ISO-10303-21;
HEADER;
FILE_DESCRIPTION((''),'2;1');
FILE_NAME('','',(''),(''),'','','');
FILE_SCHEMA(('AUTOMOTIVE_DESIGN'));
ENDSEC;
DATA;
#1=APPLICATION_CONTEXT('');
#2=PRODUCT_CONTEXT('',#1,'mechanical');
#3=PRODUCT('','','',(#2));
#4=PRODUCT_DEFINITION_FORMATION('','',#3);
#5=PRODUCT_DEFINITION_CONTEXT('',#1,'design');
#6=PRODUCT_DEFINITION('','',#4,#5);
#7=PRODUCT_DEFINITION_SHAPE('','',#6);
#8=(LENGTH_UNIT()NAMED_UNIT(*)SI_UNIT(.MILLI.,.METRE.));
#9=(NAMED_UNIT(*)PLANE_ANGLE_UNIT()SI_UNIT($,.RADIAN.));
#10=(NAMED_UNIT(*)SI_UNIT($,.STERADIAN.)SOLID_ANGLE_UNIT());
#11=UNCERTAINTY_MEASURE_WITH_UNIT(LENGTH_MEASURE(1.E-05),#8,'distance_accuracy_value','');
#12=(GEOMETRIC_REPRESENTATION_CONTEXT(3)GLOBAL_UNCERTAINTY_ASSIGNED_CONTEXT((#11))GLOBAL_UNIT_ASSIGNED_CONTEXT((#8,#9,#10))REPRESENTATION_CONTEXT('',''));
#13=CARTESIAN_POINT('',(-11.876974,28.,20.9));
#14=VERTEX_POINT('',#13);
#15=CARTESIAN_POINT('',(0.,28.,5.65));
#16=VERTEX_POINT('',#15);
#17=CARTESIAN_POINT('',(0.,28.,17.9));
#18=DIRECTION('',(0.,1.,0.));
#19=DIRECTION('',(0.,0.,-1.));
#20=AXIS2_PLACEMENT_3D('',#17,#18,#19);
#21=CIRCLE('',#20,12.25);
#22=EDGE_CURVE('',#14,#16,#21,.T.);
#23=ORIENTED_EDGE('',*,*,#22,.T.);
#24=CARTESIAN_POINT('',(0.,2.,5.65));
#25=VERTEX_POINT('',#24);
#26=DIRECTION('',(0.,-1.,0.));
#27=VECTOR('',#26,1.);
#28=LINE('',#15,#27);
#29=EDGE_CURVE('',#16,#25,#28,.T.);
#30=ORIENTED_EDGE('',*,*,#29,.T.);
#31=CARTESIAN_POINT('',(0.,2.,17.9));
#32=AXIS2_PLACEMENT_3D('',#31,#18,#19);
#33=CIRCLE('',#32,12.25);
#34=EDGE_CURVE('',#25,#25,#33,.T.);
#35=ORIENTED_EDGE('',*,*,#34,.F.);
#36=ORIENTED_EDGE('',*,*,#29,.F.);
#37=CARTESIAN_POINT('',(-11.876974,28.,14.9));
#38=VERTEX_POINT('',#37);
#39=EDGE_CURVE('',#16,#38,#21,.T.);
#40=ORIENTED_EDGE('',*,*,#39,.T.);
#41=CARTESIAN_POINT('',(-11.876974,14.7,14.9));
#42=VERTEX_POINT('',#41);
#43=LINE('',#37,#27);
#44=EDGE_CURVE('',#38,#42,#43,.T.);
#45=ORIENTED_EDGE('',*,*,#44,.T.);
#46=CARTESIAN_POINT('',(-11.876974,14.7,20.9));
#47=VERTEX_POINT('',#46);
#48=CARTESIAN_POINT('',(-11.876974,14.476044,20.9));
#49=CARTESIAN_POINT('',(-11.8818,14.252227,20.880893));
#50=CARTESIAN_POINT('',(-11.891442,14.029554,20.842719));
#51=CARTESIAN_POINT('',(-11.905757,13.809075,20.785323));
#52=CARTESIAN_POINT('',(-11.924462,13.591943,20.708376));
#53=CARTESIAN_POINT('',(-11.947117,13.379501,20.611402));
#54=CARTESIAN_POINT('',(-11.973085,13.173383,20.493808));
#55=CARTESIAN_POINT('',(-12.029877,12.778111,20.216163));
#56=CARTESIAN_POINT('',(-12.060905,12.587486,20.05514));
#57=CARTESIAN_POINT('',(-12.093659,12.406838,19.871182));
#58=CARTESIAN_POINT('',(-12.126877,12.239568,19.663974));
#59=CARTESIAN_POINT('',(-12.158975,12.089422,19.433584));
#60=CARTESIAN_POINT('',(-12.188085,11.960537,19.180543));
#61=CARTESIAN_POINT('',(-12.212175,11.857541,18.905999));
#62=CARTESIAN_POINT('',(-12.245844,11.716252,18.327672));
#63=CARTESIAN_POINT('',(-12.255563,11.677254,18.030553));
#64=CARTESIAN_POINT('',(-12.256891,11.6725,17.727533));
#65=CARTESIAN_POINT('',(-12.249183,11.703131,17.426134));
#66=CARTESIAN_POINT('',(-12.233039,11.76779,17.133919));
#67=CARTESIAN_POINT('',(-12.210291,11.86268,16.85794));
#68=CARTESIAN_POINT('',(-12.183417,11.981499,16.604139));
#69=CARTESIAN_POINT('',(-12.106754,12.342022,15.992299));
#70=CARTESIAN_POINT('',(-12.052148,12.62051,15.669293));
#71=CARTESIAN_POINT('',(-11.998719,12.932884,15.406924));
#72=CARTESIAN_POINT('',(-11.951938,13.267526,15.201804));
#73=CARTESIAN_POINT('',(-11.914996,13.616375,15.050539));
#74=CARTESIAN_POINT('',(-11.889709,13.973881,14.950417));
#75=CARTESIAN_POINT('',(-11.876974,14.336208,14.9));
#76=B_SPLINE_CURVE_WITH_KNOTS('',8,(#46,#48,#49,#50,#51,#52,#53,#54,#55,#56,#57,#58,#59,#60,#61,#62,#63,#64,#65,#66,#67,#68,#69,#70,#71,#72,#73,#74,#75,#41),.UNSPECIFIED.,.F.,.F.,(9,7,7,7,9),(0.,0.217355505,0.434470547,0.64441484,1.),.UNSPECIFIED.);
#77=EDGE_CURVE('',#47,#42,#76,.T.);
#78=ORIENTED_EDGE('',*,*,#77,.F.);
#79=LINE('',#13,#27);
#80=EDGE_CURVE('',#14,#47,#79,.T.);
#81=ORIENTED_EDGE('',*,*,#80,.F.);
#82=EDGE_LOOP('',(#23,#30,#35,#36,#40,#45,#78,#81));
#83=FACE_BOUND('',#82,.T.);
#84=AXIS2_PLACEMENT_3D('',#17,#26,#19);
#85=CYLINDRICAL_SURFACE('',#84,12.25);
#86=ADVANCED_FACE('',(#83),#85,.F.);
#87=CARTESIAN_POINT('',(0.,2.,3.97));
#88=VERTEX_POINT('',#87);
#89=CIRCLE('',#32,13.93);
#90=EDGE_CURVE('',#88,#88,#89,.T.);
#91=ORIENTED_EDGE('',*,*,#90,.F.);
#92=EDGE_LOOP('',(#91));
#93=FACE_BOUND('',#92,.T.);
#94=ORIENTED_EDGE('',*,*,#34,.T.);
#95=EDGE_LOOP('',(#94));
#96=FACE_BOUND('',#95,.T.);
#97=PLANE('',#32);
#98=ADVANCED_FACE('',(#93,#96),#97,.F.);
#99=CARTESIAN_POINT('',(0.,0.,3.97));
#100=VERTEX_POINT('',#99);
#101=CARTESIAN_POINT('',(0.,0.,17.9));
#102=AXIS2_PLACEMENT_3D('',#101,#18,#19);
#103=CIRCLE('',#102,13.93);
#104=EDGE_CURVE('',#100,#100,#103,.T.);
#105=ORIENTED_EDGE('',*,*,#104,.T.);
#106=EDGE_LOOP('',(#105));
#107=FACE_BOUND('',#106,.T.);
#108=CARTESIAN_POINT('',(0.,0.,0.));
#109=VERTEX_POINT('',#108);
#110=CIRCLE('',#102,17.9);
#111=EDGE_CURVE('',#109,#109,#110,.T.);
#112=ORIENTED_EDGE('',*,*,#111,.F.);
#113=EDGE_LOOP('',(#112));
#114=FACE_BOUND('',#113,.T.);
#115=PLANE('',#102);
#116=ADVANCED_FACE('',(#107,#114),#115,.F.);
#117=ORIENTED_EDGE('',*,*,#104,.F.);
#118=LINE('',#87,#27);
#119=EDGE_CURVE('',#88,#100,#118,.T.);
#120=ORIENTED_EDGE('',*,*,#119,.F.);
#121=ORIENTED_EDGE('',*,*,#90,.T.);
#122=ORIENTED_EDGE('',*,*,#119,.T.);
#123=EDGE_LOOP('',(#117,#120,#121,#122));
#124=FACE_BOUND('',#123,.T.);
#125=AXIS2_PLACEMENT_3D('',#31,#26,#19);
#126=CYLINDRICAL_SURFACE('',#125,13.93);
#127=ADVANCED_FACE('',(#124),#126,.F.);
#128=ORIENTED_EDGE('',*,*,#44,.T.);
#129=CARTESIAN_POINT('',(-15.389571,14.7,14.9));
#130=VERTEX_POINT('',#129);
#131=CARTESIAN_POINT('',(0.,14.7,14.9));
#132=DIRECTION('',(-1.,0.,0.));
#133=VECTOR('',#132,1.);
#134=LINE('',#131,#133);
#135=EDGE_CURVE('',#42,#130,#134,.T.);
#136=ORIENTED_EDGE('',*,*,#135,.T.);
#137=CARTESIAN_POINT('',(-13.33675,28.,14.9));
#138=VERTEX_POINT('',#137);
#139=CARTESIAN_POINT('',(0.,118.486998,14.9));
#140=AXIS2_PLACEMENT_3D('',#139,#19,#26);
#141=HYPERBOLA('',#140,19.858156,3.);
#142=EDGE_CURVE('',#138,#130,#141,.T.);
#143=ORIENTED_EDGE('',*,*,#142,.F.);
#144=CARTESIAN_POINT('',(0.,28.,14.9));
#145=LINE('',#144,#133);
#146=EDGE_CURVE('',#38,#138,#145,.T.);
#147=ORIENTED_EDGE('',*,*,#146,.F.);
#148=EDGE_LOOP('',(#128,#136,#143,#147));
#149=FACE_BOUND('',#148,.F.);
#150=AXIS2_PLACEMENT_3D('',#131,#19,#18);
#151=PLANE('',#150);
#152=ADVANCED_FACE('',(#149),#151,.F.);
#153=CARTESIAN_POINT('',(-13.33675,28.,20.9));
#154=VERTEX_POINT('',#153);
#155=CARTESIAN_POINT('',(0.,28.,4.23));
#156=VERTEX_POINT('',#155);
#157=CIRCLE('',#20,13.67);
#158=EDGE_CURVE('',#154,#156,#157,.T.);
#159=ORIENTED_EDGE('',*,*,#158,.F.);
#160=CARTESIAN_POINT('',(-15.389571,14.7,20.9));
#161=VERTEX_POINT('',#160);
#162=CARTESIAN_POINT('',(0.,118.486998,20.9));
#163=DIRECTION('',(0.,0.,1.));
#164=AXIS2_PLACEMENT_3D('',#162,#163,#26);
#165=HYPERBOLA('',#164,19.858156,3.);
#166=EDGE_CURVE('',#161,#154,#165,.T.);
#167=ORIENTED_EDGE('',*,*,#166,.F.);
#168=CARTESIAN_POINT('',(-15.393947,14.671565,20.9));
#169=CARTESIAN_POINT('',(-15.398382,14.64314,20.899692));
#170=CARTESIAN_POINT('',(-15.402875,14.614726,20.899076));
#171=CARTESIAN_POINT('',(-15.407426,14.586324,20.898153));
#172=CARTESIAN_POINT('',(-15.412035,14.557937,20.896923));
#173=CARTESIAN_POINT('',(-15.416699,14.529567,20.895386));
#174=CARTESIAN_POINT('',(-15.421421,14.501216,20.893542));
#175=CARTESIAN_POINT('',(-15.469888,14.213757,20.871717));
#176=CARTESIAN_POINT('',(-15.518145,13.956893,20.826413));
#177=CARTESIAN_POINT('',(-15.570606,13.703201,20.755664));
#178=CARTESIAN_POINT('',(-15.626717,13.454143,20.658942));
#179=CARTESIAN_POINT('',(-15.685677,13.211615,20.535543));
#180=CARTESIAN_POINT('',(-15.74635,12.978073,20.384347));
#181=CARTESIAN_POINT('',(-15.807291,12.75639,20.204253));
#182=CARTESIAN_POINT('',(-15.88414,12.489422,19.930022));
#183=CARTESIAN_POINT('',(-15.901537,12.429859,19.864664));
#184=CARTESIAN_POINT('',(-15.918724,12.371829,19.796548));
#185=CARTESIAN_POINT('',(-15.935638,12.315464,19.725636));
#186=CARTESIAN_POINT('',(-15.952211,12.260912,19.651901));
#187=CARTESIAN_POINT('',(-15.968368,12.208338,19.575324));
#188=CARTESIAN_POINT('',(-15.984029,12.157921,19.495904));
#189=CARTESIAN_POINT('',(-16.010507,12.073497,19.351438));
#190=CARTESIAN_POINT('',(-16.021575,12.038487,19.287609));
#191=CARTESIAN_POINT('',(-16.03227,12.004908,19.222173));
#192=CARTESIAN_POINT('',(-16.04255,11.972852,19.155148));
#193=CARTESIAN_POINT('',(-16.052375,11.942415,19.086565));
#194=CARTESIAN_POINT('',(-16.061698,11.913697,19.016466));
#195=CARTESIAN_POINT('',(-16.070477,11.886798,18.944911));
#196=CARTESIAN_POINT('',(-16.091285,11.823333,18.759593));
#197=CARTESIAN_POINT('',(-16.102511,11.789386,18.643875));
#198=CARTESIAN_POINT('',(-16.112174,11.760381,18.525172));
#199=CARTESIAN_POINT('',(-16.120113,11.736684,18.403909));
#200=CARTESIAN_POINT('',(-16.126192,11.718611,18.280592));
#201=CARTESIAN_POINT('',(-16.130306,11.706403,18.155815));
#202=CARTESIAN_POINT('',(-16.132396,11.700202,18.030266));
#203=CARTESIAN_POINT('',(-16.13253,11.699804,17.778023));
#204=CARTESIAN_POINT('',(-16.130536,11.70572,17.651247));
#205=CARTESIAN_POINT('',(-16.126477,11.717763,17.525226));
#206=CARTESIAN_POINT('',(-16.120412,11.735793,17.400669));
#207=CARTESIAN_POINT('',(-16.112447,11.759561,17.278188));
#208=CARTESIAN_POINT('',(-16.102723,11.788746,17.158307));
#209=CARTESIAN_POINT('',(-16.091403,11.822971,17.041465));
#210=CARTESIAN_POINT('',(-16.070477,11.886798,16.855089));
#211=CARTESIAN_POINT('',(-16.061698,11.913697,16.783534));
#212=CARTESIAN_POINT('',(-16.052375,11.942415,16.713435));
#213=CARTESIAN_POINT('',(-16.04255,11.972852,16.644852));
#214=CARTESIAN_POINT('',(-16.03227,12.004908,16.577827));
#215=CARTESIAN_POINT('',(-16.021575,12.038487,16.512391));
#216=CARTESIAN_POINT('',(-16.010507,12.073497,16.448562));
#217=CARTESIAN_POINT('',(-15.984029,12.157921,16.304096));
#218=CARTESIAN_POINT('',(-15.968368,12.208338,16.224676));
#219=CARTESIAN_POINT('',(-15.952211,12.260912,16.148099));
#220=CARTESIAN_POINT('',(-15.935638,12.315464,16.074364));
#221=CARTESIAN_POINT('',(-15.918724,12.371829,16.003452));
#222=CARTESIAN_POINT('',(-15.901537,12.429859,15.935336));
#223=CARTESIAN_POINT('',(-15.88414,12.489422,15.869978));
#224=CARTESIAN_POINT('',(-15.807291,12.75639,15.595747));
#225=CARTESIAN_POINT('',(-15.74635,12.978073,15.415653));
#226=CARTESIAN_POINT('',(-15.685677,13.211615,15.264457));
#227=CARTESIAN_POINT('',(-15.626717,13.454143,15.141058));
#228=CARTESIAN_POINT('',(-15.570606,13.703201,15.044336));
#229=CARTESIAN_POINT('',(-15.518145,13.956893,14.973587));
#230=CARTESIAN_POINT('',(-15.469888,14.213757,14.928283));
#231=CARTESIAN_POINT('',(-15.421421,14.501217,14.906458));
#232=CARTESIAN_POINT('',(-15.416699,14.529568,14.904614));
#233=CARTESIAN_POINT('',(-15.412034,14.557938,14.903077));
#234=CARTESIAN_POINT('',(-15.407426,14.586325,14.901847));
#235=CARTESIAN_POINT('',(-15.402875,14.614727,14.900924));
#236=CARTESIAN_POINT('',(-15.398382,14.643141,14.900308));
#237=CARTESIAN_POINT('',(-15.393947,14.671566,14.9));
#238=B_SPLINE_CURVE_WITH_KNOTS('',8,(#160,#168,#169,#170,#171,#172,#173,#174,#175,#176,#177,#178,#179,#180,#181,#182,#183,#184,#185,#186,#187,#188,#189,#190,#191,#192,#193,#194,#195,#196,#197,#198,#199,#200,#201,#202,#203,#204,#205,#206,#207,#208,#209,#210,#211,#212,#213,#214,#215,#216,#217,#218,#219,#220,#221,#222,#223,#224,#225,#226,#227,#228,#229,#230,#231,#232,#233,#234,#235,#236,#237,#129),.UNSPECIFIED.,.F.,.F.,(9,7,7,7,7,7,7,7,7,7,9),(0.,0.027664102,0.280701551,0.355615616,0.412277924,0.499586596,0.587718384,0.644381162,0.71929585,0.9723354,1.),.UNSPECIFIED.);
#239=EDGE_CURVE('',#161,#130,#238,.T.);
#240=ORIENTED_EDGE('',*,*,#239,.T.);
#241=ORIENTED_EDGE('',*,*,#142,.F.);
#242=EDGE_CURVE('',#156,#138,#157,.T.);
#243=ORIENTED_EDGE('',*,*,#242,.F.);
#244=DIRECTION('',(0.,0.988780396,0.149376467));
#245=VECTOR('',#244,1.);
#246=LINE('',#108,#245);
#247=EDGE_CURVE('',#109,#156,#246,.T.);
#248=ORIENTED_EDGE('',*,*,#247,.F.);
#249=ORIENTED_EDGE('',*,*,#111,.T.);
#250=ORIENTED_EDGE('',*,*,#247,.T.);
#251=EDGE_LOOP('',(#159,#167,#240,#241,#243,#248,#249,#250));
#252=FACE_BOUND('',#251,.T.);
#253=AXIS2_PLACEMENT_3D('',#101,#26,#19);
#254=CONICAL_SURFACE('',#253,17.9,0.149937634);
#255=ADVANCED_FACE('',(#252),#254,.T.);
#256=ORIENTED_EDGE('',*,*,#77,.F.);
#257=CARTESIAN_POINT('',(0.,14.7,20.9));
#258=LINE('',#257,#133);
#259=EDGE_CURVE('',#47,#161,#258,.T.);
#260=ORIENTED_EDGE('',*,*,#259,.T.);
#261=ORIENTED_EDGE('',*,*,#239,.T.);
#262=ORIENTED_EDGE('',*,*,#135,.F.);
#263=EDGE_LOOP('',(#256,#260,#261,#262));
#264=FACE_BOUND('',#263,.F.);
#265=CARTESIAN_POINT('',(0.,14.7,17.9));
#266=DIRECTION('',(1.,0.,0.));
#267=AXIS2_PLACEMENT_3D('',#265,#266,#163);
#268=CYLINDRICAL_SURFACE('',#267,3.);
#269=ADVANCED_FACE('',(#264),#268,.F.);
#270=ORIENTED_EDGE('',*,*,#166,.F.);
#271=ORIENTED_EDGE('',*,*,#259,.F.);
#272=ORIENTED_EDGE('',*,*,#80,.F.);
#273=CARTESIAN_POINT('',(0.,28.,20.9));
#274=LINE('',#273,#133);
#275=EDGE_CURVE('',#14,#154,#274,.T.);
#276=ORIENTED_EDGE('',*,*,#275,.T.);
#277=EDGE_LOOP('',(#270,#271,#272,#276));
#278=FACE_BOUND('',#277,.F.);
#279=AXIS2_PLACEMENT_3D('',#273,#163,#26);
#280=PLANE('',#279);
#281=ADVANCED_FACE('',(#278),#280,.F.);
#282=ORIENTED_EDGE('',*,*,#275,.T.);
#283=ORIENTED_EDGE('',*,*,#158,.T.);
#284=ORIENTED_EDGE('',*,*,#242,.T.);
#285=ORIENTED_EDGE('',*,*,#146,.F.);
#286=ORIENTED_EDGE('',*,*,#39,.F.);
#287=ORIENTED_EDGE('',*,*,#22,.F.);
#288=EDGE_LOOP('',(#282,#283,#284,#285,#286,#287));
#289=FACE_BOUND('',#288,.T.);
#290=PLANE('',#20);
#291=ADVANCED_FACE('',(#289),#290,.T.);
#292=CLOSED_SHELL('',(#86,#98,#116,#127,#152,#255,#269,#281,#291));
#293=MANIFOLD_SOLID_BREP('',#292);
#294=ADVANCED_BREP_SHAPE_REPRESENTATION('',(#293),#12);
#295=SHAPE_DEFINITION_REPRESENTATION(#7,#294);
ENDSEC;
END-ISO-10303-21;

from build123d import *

# Parameters (mm, degrees)
F3_DEPTH = 17.1324643857


with BuildPart() as f1:
    # F0 (on Right) → F1 (revolve)
    with BuildSketch(Plane.YZ):
        Polygon((0, 3.97), (0, 0), (28, 4.23), (28, 5.65), (2, 5.65), (2, 3.97), align=None)
    revolve(axis=Axis((0, 14, 17.9), (0, 1, 0)))

    # F2 (on Right) → F3 (cut, up to face)
    with BuildSketch(Plane.YZ):
        with BuildLine():
            Line((28, 14.9), (28, 20.9))
            Line((28, 20.9), (14.7, 20.9))
            ThreePointArc((14.7, 20.9), (11.7, 17.9), (14.7, 14.9))
            Line((14.7, 14.9), (28, 14.9))
        make_face()
    extrude(amount=-F3_DEPTH, mode=Mode.SUBTRACT)


solid = f1.part
